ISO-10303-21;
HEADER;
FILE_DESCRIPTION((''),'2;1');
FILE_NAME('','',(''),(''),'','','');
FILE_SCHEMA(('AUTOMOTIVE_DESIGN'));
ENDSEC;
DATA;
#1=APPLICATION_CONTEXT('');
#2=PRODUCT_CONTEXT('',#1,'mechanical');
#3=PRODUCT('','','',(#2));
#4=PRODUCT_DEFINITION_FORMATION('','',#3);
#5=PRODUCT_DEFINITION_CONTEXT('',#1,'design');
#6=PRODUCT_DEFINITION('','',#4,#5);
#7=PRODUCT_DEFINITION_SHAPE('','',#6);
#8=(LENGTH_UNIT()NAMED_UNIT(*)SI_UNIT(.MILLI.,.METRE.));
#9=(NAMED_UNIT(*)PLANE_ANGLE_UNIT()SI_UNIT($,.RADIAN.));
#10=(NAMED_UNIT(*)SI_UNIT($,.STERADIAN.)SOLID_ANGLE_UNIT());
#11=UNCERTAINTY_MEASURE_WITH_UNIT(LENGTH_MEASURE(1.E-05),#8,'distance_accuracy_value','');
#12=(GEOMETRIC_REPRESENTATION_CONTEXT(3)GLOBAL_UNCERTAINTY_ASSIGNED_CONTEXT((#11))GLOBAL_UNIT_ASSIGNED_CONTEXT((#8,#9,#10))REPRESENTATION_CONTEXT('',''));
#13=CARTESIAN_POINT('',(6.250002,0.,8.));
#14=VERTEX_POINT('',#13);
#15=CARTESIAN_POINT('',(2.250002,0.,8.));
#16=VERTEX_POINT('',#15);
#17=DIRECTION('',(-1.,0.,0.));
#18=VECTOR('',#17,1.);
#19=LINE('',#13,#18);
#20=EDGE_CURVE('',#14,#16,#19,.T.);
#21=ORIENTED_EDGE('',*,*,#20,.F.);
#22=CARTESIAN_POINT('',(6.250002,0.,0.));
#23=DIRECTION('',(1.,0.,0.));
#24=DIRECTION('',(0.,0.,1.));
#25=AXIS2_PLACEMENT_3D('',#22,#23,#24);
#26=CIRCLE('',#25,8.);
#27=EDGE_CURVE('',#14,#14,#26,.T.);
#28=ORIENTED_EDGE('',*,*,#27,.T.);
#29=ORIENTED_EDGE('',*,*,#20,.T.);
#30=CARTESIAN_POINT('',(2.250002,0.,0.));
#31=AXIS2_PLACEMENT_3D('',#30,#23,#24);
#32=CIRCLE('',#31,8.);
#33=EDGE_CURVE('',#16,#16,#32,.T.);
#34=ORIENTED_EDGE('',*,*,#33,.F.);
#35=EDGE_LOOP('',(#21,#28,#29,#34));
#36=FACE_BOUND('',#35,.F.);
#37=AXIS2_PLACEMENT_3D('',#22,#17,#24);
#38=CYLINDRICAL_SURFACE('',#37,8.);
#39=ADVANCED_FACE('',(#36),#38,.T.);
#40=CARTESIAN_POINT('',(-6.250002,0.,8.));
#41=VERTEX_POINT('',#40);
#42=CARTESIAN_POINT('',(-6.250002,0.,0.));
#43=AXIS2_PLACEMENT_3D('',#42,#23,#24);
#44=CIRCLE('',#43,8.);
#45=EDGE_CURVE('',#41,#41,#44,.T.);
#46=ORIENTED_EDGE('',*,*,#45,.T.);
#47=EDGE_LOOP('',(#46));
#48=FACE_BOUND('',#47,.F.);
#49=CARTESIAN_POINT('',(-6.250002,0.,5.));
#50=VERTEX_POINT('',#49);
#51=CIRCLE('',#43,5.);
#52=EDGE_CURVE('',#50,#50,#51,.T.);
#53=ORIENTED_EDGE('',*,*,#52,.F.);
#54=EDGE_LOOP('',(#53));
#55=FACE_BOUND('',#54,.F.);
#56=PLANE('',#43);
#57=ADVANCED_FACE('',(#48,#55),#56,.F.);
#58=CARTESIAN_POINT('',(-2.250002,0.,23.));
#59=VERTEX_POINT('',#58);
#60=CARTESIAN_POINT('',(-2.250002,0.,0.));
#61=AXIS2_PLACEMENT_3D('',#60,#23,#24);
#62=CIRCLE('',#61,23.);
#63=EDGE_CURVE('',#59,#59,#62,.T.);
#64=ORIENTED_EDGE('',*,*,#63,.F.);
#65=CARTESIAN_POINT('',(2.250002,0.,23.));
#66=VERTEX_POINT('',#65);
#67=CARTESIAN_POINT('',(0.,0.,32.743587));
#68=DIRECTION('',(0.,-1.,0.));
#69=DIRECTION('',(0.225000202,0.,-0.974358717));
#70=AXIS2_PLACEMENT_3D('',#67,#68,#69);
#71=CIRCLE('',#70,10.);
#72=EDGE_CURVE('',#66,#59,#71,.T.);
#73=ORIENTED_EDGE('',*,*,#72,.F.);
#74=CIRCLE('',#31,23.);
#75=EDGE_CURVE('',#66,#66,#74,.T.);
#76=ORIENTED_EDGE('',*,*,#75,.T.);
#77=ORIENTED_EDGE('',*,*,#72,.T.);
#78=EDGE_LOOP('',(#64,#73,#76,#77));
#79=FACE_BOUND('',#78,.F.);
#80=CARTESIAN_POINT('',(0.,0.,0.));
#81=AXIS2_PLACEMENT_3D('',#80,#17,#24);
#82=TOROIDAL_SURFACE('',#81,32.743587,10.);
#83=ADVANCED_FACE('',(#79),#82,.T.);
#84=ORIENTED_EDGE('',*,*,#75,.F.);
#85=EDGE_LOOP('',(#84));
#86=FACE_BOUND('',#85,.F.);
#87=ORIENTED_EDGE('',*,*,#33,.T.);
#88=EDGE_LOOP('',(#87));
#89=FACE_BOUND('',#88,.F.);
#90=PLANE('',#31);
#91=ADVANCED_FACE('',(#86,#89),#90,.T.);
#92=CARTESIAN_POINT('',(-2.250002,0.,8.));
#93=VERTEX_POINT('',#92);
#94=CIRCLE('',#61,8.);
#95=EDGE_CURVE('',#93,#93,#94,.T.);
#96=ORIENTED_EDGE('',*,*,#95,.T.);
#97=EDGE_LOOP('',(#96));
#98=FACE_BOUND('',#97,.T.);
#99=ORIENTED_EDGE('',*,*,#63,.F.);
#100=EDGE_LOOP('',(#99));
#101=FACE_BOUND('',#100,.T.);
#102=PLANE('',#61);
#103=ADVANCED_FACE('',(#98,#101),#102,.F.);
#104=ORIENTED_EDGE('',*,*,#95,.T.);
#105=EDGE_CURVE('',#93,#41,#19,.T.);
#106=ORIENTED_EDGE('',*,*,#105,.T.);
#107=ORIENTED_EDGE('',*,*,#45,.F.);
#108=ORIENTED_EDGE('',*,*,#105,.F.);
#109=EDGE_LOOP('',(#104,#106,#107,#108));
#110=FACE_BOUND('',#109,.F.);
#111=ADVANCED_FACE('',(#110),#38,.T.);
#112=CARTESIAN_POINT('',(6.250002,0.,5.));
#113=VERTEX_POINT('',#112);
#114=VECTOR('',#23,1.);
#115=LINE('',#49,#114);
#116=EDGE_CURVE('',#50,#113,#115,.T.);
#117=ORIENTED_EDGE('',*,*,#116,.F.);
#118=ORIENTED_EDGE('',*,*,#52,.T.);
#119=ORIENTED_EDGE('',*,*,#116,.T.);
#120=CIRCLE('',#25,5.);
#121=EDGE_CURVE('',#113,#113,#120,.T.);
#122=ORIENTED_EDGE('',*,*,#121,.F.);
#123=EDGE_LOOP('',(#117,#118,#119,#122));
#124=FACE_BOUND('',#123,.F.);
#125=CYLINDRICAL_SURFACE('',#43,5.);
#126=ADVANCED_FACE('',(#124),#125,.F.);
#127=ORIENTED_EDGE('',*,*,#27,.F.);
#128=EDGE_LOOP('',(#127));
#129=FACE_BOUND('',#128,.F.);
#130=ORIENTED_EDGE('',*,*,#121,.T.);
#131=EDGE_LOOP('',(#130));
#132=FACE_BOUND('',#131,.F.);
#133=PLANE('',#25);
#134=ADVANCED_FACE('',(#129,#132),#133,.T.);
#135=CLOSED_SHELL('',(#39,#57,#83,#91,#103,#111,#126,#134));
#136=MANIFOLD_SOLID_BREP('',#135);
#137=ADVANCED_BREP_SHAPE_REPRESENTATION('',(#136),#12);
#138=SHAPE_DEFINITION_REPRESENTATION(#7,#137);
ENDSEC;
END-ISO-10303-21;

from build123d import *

# Parameters (mm, degrees)
F0_W = 4.500004
F0_H = 15


with BuildPart() as f2:
    # F0 (on Front) → F2 (revolve)
    with BuildSketch(Plane.XZ):
        Polygon((6.250002, 5), (6.250002, 8), (2.250002, 8), (-2.250002, 8), (-6.250002, 8), (-6.250002, 5), align=None)
        with Locations((0, 15.5)):
            Rectangle(F0_W, F0_H)
        with BuildLine():
            Line((-2.250002, 23), (2.250002, 23))
            ThreePointArc((2.250002, 23), (0, 42.743587), (-2.250002, 23))
        make_face()
    revolve(axis=Axis((9.867935, 0, 0), (1, 0, 0)))


solid = f2.part
